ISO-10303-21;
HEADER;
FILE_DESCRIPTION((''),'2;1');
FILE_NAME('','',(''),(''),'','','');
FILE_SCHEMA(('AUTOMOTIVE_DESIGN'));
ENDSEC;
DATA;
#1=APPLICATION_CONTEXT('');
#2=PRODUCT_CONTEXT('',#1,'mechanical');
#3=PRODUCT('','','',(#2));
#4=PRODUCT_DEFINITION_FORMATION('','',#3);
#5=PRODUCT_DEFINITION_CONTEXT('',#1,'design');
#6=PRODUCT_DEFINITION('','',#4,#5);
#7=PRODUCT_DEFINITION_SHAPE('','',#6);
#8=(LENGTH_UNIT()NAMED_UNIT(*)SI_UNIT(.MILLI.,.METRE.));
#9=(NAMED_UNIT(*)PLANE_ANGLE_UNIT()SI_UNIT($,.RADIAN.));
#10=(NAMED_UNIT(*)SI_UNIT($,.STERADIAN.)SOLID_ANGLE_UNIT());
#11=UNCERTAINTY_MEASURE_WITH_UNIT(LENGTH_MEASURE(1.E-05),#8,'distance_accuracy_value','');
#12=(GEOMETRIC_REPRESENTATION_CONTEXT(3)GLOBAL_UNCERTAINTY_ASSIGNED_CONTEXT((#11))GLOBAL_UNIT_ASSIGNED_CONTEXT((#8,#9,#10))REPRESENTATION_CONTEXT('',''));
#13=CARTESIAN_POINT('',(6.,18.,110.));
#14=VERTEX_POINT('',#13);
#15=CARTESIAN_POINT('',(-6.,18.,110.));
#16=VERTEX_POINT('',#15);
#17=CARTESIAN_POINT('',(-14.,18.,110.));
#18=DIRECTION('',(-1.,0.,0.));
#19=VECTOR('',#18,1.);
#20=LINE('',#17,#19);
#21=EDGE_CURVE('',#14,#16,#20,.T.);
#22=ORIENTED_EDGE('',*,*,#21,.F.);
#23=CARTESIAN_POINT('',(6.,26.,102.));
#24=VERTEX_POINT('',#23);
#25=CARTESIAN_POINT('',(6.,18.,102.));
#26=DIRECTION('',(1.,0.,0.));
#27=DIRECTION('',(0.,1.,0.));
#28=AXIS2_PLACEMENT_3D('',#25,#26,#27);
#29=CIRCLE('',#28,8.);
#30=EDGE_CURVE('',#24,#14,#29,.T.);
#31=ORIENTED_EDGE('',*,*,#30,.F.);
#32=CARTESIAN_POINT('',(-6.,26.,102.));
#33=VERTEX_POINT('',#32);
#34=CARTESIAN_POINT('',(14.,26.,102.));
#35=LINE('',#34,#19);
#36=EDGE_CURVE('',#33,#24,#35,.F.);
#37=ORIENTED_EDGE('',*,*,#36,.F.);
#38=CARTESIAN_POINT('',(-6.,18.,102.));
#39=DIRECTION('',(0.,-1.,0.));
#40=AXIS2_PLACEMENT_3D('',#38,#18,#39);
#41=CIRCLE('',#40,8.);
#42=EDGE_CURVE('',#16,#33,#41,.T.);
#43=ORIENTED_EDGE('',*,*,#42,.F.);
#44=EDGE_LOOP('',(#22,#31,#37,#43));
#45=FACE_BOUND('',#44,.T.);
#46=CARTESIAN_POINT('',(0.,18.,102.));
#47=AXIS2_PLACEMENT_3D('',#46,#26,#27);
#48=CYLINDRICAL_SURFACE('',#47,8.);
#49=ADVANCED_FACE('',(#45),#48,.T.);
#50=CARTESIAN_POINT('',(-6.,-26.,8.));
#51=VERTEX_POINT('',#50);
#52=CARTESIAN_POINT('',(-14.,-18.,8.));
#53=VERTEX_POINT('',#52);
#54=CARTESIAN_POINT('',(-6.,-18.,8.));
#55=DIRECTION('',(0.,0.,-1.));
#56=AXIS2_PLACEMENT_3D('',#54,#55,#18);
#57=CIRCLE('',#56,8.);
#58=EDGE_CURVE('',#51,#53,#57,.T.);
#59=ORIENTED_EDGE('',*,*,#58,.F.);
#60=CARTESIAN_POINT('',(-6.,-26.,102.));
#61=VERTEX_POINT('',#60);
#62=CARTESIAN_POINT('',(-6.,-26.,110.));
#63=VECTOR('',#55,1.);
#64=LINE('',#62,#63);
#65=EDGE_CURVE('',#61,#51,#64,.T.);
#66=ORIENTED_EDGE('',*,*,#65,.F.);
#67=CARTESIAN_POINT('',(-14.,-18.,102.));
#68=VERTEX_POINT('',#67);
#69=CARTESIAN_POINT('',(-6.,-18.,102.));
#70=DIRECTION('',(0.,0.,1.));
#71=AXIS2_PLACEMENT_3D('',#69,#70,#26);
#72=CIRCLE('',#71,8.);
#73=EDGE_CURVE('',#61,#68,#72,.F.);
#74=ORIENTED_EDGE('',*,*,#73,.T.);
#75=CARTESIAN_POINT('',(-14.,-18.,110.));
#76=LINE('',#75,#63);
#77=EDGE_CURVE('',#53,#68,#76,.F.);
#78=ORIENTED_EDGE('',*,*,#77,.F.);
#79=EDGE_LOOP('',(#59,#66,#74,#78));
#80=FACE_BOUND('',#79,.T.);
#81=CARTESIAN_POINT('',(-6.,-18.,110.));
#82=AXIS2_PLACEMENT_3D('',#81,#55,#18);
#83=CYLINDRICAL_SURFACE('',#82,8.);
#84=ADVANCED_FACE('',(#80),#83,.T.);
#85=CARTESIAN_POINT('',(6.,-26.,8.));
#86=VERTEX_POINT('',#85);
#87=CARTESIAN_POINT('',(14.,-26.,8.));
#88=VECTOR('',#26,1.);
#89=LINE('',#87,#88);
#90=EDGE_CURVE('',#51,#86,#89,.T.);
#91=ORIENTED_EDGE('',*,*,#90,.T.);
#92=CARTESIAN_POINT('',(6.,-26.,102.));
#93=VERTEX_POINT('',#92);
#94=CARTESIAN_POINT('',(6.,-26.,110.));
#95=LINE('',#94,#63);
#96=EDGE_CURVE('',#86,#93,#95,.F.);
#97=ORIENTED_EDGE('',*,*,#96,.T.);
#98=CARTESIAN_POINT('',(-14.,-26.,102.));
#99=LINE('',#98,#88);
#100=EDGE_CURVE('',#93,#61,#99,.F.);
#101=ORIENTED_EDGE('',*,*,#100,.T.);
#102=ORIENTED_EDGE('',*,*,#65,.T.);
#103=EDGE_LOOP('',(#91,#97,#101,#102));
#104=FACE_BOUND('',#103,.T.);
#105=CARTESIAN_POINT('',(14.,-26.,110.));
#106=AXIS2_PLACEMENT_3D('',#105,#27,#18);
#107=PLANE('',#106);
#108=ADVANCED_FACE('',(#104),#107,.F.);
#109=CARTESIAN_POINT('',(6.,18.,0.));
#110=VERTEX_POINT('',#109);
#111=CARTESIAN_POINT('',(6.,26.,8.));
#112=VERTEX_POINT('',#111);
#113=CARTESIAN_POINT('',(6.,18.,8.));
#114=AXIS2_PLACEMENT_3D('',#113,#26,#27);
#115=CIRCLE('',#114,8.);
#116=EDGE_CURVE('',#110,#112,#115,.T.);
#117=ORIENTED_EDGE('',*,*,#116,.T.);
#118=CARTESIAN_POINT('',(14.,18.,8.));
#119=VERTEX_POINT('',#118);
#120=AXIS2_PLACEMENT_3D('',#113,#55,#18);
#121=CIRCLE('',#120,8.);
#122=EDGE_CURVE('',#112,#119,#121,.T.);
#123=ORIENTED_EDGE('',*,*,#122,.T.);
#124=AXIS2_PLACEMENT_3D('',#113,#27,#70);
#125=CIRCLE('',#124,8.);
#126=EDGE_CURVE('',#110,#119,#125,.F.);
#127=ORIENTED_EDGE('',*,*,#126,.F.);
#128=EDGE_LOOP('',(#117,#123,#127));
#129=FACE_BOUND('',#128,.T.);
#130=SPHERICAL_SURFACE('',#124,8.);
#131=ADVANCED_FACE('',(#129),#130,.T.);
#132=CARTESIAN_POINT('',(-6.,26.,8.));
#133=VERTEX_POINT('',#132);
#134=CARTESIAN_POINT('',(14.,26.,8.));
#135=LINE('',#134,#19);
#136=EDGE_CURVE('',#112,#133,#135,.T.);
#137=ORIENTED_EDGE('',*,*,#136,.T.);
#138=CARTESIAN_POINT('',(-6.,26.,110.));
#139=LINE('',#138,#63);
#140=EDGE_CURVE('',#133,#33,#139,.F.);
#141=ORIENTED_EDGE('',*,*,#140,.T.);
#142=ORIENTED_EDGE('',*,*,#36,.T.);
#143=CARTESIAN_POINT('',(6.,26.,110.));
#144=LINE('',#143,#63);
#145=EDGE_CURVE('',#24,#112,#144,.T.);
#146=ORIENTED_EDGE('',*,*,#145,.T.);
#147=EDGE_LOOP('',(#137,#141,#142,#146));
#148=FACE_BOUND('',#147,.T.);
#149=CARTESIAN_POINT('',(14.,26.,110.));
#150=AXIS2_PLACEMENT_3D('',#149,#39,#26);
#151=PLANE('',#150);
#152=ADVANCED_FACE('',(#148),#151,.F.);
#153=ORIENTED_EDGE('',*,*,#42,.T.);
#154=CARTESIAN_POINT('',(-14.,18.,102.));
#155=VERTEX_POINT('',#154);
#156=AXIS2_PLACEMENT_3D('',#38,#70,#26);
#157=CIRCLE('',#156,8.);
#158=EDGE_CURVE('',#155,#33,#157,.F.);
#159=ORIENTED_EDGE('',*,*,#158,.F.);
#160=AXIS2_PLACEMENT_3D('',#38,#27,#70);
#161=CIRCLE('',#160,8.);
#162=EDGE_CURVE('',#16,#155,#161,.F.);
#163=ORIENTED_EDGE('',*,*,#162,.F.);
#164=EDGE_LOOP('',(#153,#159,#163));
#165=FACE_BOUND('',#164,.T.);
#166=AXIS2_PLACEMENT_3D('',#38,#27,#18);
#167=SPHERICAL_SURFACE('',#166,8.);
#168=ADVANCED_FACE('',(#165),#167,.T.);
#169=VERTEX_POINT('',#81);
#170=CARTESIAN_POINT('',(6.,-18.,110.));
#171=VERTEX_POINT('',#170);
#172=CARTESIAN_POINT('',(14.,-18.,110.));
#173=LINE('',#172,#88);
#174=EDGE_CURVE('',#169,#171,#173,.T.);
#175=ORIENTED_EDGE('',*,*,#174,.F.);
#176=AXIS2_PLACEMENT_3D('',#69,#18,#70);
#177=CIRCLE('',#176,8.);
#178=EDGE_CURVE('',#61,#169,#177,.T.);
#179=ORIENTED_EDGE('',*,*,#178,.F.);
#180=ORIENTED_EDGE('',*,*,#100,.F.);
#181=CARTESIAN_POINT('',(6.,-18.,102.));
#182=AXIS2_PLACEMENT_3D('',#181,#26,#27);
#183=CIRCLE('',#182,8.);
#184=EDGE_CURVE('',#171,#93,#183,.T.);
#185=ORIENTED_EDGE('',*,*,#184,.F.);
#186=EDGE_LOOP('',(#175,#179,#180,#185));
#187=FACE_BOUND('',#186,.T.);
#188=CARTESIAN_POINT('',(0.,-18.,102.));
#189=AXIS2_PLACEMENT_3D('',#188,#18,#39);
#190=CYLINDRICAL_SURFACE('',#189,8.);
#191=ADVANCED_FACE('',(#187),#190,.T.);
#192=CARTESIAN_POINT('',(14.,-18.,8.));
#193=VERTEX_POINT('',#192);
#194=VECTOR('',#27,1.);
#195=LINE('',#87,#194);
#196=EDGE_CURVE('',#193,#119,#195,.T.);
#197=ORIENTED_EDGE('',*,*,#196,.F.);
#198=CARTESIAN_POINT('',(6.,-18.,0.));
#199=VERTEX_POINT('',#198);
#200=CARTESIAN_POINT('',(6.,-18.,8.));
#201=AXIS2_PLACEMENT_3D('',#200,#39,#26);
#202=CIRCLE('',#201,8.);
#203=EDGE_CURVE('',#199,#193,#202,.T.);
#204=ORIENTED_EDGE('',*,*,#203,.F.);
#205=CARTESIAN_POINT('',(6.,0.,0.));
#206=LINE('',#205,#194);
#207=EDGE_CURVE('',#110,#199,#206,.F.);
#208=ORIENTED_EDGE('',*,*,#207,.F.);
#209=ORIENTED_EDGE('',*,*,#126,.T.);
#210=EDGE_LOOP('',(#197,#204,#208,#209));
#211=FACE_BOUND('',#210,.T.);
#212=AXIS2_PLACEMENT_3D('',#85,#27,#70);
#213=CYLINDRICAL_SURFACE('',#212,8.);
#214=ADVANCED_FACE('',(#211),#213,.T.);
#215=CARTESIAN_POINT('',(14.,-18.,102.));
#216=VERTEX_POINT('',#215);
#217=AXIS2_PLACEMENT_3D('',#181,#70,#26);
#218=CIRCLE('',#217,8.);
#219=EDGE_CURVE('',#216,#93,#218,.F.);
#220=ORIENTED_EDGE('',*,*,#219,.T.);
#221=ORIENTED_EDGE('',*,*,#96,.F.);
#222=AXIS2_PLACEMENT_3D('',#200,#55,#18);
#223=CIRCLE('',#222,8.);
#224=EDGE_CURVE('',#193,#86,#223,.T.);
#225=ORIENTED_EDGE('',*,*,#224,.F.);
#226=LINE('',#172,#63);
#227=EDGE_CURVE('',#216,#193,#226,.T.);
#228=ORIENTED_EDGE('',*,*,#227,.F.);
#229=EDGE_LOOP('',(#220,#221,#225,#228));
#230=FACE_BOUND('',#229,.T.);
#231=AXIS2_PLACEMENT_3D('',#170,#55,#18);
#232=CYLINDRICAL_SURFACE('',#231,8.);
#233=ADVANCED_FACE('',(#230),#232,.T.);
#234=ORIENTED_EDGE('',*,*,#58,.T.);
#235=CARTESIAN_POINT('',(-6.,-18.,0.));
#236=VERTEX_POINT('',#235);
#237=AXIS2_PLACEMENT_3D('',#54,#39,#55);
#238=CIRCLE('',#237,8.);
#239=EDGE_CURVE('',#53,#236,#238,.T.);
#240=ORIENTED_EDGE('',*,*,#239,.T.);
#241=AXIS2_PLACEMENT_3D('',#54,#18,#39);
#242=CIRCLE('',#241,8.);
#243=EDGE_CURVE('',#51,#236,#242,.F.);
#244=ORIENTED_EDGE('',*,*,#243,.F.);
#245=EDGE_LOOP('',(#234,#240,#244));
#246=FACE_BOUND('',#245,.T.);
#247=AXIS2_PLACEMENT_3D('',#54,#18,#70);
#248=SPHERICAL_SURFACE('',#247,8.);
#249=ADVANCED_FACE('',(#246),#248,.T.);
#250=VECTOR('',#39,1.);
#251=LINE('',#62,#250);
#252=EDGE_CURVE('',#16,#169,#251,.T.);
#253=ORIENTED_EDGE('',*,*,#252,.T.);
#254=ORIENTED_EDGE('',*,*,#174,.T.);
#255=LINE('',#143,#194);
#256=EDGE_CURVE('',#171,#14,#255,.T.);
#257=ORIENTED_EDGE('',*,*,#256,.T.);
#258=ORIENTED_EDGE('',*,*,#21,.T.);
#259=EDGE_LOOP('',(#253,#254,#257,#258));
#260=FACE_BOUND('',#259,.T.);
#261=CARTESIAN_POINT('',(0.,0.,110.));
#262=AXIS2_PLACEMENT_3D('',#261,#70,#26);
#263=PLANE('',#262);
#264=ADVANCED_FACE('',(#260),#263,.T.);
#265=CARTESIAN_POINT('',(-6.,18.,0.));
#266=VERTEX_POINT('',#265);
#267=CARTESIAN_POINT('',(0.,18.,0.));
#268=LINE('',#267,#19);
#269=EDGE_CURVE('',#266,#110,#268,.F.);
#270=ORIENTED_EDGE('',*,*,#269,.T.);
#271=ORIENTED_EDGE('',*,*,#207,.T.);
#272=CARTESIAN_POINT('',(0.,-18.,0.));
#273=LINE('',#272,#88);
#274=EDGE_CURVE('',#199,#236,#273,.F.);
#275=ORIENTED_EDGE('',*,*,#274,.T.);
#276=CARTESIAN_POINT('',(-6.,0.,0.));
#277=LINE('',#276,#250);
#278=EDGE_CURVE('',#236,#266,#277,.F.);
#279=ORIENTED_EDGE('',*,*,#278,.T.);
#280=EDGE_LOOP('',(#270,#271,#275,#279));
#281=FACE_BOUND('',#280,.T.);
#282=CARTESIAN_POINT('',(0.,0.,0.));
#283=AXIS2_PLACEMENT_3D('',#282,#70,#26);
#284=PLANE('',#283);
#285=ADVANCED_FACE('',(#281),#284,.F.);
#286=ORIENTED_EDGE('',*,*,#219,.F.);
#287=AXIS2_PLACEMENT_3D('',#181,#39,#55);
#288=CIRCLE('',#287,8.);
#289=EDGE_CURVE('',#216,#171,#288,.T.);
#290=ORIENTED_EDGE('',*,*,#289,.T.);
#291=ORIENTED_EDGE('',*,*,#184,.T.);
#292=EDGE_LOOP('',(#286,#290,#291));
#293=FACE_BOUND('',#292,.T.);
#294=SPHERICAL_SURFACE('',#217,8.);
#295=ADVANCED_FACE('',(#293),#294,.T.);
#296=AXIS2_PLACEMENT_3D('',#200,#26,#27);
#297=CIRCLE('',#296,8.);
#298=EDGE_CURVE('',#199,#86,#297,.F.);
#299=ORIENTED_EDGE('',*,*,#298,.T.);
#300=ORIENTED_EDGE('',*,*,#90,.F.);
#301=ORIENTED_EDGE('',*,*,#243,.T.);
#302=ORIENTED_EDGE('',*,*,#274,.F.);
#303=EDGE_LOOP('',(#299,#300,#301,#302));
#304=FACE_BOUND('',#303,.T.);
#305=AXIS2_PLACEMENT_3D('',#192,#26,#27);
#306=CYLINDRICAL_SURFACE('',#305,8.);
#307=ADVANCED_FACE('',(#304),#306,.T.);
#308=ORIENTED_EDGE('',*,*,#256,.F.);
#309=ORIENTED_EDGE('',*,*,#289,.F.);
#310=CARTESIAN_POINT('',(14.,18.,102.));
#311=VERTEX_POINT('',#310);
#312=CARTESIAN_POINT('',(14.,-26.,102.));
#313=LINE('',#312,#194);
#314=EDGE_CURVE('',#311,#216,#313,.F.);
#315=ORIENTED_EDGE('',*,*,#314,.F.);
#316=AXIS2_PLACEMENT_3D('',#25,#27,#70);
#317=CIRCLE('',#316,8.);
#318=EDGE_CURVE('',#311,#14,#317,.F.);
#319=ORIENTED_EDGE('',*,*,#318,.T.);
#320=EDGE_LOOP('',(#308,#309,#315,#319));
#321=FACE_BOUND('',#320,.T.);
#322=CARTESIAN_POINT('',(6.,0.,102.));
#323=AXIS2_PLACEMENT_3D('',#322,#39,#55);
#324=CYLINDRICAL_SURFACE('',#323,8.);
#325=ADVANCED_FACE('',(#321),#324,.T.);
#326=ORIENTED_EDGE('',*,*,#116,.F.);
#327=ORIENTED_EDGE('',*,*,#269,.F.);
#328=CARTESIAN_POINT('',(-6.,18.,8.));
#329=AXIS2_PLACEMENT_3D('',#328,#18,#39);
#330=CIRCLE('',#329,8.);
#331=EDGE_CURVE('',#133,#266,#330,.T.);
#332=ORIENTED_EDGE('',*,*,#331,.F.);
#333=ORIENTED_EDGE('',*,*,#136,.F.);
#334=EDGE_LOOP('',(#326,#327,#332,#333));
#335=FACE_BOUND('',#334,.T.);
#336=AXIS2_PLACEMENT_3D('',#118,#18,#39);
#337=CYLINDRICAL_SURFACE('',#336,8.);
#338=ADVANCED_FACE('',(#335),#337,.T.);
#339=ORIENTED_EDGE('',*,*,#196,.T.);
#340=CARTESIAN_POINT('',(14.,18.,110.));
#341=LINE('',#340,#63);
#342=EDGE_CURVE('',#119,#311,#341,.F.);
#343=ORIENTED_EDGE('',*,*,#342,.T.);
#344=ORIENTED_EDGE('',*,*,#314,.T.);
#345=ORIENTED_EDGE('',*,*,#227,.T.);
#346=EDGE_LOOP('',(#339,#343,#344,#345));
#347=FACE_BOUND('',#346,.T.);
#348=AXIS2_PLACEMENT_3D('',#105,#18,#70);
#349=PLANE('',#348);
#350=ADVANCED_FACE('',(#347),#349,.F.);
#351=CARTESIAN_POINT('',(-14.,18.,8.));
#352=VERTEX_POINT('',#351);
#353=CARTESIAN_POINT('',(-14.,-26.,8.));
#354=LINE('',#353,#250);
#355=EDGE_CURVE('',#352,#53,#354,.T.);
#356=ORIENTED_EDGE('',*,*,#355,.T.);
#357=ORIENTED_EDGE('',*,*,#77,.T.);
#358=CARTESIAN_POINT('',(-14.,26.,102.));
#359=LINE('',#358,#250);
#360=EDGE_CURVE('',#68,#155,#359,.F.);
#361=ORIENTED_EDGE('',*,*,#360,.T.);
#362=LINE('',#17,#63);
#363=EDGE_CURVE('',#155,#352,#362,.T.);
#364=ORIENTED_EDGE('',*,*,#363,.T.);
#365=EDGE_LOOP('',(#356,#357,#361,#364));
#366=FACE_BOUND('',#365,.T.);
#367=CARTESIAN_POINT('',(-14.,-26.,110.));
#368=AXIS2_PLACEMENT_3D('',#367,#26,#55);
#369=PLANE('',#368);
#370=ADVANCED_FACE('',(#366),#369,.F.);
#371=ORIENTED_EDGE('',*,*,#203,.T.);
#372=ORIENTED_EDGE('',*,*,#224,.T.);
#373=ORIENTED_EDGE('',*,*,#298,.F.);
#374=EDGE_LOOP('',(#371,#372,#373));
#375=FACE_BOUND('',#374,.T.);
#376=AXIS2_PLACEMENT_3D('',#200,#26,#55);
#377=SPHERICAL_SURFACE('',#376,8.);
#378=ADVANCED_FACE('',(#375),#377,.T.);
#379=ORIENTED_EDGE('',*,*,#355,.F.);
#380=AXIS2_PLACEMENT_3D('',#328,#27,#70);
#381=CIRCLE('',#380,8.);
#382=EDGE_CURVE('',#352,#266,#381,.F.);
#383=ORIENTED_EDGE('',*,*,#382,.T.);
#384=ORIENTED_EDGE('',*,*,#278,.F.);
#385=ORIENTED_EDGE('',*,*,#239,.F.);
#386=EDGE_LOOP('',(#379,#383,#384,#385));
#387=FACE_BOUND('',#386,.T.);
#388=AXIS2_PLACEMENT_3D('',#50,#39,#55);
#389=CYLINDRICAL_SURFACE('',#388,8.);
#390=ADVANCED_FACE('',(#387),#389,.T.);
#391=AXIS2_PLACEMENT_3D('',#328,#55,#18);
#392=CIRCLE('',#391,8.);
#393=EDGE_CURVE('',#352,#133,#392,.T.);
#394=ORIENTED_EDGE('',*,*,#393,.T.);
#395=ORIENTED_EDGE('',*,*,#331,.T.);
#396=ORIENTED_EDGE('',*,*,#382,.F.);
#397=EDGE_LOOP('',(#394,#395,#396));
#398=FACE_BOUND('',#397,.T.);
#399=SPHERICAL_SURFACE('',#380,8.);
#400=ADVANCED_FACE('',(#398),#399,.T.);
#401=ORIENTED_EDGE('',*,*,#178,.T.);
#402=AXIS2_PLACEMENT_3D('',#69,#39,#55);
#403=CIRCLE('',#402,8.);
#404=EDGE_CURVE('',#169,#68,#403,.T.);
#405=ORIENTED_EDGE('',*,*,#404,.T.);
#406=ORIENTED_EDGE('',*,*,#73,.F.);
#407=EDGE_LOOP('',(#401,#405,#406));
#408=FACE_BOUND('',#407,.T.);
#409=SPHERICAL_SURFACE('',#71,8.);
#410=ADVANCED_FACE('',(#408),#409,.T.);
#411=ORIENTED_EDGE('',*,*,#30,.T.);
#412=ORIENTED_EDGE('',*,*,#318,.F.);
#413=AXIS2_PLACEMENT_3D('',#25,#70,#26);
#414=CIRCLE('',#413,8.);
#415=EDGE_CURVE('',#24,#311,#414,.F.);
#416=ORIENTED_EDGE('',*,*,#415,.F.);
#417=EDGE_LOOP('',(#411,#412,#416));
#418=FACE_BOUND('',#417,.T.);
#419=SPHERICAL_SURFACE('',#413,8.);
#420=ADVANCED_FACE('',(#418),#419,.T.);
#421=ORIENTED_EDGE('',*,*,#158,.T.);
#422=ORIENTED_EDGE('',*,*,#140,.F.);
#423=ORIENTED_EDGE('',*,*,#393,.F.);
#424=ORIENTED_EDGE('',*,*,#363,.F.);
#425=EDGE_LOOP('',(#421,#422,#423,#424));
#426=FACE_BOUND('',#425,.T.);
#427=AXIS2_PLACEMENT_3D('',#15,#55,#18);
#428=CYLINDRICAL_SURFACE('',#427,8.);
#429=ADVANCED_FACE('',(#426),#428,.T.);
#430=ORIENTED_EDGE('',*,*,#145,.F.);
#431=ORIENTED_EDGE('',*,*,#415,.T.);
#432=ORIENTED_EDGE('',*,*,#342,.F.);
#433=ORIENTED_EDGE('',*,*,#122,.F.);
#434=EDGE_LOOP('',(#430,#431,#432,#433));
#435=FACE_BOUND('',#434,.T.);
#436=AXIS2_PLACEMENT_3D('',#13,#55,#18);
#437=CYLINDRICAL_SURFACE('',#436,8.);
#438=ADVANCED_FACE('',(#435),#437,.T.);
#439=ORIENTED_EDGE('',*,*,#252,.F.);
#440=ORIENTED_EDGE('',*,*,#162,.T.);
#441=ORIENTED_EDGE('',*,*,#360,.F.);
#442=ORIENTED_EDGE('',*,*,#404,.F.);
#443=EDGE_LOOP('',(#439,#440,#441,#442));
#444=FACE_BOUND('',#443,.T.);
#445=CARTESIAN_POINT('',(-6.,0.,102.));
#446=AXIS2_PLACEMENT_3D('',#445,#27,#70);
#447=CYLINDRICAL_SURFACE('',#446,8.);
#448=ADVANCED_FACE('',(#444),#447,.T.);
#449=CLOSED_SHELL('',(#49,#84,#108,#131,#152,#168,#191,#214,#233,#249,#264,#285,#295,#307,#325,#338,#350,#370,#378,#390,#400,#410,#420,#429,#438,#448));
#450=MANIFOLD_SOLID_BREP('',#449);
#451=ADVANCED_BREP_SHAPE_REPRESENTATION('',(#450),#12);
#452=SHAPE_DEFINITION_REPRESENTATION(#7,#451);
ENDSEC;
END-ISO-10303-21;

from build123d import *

# Parameters (mm, degrees)
SKETCH_1_W      = 28
SKETCH_1_H      = 52
EXTRUDE_1_DEPTH = 110
FILLET_1_R      = 8


with BuildPart() as part:
    # ｽｹｯﾁ1 → ﾎﾞｽ - 押し出し1 (new body)
    with BuildSketch(Plane.XY):
        Rectangle(SKETCH_1_W, SKETCH_1_H)
    extrude(amount=EXTRUDE_1_DEPTH)

    # ﾌｨﾚｯﾄ1
    fillet_1_edges = [part.edges().sort_by_distance(p)[0] for p in [
        (14, 0, 110),
        (0, 26, 110),
        (-14, 0, 110),
        (0, 26, 0),
        (14, 0, 0),
        (0, -26, 0),
        (-14, 0, 0),
        (-14, 26, 55),
        (14, 26, 55),
        (14, -26, 55),
        (-14, -26, 55),
        (0, -26, 110),
    ]]
    fillet(fillet_1_edges, radius=FILLET_1_R)


solid = part.part
